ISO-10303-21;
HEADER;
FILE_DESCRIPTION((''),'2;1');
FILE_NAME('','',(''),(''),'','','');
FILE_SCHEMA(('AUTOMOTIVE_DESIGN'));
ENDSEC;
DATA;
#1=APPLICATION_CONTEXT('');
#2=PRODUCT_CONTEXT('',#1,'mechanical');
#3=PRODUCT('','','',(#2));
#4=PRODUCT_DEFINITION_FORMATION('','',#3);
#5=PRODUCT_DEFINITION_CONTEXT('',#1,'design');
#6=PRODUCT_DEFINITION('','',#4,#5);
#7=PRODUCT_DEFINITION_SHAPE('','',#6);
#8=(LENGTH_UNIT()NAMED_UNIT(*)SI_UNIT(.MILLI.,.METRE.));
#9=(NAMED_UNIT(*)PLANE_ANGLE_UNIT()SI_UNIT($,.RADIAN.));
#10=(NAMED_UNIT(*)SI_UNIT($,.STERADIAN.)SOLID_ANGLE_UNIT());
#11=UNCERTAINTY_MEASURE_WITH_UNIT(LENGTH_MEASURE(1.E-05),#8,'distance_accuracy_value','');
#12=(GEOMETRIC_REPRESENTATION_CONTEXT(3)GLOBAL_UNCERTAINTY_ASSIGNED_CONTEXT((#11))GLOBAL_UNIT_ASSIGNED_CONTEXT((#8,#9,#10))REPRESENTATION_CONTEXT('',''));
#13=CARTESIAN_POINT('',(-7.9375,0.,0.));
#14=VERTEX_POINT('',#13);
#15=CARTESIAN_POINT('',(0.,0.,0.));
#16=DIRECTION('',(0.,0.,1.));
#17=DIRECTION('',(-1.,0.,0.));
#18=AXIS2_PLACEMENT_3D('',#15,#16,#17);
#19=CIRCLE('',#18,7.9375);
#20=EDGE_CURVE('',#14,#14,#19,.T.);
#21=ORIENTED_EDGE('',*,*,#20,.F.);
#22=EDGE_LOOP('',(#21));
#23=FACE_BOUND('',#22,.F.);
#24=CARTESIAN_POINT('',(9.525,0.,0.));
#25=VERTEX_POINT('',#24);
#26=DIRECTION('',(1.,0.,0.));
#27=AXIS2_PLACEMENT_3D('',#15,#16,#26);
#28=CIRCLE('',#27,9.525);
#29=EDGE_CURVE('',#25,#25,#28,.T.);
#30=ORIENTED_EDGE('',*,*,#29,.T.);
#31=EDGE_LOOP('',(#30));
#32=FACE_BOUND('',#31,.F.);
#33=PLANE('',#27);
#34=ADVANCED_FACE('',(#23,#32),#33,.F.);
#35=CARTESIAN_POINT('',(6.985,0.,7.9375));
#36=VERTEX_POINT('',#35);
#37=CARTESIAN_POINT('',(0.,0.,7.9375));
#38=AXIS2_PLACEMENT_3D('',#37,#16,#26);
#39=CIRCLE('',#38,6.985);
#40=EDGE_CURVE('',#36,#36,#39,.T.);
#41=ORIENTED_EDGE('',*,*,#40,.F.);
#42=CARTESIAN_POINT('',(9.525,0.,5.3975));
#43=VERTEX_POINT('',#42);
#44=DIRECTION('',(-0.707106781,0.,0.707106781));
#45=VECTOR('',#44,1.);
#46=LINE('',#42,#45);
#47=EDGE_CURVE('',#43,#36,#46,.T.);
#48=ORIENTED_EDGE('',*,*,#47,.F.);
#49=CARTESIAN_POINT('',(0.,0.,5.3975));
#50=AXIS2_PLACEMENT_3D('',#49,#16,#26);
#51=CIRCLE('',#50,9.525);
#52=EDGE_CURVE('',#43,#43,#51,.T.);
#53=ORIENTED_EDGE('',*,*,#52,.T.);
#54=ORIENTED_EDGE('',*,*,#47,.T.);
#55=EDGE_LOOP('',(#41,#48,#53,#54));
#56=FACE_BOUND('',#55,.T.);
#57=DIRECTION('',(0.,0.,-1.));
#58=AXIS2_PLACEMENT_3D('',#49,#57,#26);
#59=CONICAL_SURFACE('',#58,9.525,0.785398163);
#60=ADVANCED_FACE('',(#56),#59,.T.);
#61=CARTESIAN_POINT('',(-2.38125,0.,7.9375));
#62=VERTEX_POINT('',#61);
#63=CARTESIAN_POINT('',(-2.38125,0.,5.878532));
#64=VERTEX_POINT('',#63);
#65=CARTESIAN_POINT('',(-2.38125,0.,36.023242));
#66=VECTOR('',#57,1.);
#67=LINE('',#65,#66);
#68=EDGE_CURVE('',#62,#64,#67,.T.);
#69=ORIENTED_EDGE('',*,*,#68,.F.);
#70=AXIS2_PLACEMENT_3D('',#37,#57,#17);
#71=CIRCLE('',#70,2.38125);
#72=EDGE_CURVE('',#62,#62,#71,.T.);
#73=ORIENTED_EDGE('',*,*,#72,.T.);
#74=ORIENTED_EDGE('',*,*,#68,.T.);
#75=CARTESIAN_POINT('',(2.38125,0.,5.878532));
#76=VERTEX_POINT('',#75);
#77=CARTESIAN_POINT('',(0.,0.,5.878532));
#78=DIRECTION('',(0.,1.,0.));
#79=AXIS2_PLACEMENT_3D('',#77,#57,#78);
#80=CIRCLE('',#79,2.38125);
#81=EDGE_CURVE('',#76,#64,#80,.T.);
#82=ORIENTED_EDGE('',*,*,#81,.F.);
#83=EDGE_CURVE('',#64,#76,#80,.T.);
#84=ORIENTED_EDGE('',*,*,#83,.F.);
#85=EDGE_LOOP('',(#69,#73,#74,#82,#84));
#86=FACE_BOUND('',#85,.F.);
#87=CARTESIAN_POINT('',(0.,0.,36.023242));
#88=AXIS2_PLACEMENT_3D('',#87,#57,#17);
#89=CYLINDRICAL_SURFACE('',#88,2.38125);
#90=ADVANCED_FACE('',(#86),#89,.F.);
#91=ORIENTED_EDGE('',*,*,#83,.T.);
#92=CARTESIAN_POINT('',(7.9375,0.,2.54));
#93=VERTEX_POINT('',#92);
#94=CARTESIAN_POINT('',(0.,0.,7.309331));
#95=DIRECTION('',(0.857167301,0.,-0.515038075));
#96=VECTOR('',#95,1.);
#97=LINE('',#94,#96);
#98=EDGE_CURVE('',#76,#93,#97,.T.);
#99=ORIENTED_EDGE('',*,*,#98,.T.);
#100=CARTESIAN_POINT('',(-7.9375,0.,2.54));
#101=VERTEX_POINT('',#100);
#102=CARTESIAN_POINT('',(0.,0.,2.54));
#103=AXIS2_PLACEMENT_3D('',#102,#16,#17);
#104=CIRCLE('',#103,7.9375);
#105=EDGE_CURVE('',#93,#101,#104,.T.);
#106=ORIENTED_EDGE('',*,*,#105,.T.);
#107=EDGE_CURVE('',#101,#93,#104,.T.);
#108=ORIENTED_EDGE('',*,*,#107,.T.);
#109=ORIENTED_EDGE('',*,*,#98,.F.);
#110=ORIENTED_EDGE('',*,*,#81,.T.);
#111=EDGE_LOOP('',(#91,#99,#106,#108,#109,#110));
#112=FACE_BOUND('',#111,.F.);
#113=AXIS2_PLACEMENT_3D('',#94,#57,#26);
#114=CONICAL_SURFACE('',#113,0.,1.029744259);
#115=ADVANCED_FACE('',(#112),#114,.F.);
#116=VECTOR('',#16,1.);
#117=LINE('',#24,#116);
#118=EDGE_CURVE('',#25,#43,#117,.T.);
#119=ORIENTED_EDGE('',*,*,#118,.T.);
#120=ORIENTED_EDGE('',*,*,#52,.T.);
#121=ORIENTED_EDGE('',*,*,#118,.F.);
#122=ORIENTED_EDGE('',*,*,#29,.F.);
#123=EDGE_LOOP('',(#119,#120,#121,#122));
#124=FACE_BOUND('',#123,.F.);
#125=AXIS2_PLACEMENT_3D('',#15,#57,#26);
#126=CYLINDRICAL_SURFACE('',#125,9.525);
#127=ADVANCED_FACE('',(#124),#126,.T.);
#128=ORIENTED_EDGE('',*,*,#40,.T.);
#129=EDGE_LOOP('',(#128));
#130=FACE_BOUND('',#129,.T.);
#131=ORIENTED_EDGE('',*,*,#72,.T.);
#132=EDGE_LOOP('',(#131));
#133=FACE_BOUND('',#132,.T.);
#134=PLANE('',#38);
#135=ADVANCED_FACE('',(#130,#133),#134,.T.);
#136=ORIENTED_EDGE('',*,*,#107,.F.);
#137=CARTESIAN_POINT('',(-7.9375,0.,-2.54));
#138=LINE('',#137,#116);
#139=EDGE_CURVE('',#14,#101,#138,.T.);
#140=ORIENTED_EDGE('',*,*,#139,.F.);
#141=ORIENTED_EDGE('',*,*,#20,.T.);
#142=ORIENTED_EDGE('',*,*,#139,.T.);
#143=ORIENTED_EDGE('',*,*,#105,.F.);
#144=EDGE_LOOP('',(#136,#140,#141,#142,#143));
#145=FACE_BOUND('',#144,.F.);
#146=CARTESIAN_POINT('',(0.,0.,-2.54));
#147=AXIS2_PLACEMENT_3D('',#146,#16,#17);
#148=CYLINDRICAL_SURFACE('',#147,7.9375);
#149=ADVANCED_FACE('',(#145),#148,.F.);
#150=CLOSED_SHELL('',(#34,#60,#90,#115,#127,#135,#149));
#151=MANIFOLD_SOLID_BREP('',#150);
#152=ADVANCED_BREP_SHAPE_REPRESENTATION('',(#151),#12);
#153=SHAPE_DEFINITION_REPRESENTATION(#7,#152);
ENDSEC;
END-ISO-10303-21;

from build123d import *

# Parameters (mm, degrees)
F0_R     = 9.525
F1_DEPTH = 7.9375
F2_SIZE2 = 2.54
F2_SIZE  = 2.54
F4_D     = 4.7625
F6_D     = 15.875
F6_DEPTH = 2.54
F6_TIP   = 4.7693311635


with BuildPart() as f1:
    # F0 (on Top) → F1 (new body)
    with BuildSketch(Plane.XY):
        Circle(F0_R)
    extrude(amount=F1_DEPTH)

    # F2
    f2_edges = [f1.edges().sort_by_distance(p)[0] for p in [
        (-9.525, 0, 7.9375),
    ]]
    chamfer(f2_edges, length=F2_SIZE, length2=F2_SIZE2)

    # F4 (through all)
    with Locations(Plane.XY.offset(7.9375)):
        with Locations((0, 0)):
            Hole(F4_D / 2)

    # F6
    with Locations(Plane(origin=(0, 0, 0), x_dir=(1, 0, 0), z_dir=(0, 0, -1))):
        with Locations((0, 0)):
            Hole(F6_D / 2, depth=F6_DEPTH)
            with Locations((0, 0, -(F6_DEPTH + F6_TIP / 2))):  # 118° drill point
                Cone(0, F6_D / 2, F6_TIP, mode=Mode.SUBTRACT)


solid = f1.part
